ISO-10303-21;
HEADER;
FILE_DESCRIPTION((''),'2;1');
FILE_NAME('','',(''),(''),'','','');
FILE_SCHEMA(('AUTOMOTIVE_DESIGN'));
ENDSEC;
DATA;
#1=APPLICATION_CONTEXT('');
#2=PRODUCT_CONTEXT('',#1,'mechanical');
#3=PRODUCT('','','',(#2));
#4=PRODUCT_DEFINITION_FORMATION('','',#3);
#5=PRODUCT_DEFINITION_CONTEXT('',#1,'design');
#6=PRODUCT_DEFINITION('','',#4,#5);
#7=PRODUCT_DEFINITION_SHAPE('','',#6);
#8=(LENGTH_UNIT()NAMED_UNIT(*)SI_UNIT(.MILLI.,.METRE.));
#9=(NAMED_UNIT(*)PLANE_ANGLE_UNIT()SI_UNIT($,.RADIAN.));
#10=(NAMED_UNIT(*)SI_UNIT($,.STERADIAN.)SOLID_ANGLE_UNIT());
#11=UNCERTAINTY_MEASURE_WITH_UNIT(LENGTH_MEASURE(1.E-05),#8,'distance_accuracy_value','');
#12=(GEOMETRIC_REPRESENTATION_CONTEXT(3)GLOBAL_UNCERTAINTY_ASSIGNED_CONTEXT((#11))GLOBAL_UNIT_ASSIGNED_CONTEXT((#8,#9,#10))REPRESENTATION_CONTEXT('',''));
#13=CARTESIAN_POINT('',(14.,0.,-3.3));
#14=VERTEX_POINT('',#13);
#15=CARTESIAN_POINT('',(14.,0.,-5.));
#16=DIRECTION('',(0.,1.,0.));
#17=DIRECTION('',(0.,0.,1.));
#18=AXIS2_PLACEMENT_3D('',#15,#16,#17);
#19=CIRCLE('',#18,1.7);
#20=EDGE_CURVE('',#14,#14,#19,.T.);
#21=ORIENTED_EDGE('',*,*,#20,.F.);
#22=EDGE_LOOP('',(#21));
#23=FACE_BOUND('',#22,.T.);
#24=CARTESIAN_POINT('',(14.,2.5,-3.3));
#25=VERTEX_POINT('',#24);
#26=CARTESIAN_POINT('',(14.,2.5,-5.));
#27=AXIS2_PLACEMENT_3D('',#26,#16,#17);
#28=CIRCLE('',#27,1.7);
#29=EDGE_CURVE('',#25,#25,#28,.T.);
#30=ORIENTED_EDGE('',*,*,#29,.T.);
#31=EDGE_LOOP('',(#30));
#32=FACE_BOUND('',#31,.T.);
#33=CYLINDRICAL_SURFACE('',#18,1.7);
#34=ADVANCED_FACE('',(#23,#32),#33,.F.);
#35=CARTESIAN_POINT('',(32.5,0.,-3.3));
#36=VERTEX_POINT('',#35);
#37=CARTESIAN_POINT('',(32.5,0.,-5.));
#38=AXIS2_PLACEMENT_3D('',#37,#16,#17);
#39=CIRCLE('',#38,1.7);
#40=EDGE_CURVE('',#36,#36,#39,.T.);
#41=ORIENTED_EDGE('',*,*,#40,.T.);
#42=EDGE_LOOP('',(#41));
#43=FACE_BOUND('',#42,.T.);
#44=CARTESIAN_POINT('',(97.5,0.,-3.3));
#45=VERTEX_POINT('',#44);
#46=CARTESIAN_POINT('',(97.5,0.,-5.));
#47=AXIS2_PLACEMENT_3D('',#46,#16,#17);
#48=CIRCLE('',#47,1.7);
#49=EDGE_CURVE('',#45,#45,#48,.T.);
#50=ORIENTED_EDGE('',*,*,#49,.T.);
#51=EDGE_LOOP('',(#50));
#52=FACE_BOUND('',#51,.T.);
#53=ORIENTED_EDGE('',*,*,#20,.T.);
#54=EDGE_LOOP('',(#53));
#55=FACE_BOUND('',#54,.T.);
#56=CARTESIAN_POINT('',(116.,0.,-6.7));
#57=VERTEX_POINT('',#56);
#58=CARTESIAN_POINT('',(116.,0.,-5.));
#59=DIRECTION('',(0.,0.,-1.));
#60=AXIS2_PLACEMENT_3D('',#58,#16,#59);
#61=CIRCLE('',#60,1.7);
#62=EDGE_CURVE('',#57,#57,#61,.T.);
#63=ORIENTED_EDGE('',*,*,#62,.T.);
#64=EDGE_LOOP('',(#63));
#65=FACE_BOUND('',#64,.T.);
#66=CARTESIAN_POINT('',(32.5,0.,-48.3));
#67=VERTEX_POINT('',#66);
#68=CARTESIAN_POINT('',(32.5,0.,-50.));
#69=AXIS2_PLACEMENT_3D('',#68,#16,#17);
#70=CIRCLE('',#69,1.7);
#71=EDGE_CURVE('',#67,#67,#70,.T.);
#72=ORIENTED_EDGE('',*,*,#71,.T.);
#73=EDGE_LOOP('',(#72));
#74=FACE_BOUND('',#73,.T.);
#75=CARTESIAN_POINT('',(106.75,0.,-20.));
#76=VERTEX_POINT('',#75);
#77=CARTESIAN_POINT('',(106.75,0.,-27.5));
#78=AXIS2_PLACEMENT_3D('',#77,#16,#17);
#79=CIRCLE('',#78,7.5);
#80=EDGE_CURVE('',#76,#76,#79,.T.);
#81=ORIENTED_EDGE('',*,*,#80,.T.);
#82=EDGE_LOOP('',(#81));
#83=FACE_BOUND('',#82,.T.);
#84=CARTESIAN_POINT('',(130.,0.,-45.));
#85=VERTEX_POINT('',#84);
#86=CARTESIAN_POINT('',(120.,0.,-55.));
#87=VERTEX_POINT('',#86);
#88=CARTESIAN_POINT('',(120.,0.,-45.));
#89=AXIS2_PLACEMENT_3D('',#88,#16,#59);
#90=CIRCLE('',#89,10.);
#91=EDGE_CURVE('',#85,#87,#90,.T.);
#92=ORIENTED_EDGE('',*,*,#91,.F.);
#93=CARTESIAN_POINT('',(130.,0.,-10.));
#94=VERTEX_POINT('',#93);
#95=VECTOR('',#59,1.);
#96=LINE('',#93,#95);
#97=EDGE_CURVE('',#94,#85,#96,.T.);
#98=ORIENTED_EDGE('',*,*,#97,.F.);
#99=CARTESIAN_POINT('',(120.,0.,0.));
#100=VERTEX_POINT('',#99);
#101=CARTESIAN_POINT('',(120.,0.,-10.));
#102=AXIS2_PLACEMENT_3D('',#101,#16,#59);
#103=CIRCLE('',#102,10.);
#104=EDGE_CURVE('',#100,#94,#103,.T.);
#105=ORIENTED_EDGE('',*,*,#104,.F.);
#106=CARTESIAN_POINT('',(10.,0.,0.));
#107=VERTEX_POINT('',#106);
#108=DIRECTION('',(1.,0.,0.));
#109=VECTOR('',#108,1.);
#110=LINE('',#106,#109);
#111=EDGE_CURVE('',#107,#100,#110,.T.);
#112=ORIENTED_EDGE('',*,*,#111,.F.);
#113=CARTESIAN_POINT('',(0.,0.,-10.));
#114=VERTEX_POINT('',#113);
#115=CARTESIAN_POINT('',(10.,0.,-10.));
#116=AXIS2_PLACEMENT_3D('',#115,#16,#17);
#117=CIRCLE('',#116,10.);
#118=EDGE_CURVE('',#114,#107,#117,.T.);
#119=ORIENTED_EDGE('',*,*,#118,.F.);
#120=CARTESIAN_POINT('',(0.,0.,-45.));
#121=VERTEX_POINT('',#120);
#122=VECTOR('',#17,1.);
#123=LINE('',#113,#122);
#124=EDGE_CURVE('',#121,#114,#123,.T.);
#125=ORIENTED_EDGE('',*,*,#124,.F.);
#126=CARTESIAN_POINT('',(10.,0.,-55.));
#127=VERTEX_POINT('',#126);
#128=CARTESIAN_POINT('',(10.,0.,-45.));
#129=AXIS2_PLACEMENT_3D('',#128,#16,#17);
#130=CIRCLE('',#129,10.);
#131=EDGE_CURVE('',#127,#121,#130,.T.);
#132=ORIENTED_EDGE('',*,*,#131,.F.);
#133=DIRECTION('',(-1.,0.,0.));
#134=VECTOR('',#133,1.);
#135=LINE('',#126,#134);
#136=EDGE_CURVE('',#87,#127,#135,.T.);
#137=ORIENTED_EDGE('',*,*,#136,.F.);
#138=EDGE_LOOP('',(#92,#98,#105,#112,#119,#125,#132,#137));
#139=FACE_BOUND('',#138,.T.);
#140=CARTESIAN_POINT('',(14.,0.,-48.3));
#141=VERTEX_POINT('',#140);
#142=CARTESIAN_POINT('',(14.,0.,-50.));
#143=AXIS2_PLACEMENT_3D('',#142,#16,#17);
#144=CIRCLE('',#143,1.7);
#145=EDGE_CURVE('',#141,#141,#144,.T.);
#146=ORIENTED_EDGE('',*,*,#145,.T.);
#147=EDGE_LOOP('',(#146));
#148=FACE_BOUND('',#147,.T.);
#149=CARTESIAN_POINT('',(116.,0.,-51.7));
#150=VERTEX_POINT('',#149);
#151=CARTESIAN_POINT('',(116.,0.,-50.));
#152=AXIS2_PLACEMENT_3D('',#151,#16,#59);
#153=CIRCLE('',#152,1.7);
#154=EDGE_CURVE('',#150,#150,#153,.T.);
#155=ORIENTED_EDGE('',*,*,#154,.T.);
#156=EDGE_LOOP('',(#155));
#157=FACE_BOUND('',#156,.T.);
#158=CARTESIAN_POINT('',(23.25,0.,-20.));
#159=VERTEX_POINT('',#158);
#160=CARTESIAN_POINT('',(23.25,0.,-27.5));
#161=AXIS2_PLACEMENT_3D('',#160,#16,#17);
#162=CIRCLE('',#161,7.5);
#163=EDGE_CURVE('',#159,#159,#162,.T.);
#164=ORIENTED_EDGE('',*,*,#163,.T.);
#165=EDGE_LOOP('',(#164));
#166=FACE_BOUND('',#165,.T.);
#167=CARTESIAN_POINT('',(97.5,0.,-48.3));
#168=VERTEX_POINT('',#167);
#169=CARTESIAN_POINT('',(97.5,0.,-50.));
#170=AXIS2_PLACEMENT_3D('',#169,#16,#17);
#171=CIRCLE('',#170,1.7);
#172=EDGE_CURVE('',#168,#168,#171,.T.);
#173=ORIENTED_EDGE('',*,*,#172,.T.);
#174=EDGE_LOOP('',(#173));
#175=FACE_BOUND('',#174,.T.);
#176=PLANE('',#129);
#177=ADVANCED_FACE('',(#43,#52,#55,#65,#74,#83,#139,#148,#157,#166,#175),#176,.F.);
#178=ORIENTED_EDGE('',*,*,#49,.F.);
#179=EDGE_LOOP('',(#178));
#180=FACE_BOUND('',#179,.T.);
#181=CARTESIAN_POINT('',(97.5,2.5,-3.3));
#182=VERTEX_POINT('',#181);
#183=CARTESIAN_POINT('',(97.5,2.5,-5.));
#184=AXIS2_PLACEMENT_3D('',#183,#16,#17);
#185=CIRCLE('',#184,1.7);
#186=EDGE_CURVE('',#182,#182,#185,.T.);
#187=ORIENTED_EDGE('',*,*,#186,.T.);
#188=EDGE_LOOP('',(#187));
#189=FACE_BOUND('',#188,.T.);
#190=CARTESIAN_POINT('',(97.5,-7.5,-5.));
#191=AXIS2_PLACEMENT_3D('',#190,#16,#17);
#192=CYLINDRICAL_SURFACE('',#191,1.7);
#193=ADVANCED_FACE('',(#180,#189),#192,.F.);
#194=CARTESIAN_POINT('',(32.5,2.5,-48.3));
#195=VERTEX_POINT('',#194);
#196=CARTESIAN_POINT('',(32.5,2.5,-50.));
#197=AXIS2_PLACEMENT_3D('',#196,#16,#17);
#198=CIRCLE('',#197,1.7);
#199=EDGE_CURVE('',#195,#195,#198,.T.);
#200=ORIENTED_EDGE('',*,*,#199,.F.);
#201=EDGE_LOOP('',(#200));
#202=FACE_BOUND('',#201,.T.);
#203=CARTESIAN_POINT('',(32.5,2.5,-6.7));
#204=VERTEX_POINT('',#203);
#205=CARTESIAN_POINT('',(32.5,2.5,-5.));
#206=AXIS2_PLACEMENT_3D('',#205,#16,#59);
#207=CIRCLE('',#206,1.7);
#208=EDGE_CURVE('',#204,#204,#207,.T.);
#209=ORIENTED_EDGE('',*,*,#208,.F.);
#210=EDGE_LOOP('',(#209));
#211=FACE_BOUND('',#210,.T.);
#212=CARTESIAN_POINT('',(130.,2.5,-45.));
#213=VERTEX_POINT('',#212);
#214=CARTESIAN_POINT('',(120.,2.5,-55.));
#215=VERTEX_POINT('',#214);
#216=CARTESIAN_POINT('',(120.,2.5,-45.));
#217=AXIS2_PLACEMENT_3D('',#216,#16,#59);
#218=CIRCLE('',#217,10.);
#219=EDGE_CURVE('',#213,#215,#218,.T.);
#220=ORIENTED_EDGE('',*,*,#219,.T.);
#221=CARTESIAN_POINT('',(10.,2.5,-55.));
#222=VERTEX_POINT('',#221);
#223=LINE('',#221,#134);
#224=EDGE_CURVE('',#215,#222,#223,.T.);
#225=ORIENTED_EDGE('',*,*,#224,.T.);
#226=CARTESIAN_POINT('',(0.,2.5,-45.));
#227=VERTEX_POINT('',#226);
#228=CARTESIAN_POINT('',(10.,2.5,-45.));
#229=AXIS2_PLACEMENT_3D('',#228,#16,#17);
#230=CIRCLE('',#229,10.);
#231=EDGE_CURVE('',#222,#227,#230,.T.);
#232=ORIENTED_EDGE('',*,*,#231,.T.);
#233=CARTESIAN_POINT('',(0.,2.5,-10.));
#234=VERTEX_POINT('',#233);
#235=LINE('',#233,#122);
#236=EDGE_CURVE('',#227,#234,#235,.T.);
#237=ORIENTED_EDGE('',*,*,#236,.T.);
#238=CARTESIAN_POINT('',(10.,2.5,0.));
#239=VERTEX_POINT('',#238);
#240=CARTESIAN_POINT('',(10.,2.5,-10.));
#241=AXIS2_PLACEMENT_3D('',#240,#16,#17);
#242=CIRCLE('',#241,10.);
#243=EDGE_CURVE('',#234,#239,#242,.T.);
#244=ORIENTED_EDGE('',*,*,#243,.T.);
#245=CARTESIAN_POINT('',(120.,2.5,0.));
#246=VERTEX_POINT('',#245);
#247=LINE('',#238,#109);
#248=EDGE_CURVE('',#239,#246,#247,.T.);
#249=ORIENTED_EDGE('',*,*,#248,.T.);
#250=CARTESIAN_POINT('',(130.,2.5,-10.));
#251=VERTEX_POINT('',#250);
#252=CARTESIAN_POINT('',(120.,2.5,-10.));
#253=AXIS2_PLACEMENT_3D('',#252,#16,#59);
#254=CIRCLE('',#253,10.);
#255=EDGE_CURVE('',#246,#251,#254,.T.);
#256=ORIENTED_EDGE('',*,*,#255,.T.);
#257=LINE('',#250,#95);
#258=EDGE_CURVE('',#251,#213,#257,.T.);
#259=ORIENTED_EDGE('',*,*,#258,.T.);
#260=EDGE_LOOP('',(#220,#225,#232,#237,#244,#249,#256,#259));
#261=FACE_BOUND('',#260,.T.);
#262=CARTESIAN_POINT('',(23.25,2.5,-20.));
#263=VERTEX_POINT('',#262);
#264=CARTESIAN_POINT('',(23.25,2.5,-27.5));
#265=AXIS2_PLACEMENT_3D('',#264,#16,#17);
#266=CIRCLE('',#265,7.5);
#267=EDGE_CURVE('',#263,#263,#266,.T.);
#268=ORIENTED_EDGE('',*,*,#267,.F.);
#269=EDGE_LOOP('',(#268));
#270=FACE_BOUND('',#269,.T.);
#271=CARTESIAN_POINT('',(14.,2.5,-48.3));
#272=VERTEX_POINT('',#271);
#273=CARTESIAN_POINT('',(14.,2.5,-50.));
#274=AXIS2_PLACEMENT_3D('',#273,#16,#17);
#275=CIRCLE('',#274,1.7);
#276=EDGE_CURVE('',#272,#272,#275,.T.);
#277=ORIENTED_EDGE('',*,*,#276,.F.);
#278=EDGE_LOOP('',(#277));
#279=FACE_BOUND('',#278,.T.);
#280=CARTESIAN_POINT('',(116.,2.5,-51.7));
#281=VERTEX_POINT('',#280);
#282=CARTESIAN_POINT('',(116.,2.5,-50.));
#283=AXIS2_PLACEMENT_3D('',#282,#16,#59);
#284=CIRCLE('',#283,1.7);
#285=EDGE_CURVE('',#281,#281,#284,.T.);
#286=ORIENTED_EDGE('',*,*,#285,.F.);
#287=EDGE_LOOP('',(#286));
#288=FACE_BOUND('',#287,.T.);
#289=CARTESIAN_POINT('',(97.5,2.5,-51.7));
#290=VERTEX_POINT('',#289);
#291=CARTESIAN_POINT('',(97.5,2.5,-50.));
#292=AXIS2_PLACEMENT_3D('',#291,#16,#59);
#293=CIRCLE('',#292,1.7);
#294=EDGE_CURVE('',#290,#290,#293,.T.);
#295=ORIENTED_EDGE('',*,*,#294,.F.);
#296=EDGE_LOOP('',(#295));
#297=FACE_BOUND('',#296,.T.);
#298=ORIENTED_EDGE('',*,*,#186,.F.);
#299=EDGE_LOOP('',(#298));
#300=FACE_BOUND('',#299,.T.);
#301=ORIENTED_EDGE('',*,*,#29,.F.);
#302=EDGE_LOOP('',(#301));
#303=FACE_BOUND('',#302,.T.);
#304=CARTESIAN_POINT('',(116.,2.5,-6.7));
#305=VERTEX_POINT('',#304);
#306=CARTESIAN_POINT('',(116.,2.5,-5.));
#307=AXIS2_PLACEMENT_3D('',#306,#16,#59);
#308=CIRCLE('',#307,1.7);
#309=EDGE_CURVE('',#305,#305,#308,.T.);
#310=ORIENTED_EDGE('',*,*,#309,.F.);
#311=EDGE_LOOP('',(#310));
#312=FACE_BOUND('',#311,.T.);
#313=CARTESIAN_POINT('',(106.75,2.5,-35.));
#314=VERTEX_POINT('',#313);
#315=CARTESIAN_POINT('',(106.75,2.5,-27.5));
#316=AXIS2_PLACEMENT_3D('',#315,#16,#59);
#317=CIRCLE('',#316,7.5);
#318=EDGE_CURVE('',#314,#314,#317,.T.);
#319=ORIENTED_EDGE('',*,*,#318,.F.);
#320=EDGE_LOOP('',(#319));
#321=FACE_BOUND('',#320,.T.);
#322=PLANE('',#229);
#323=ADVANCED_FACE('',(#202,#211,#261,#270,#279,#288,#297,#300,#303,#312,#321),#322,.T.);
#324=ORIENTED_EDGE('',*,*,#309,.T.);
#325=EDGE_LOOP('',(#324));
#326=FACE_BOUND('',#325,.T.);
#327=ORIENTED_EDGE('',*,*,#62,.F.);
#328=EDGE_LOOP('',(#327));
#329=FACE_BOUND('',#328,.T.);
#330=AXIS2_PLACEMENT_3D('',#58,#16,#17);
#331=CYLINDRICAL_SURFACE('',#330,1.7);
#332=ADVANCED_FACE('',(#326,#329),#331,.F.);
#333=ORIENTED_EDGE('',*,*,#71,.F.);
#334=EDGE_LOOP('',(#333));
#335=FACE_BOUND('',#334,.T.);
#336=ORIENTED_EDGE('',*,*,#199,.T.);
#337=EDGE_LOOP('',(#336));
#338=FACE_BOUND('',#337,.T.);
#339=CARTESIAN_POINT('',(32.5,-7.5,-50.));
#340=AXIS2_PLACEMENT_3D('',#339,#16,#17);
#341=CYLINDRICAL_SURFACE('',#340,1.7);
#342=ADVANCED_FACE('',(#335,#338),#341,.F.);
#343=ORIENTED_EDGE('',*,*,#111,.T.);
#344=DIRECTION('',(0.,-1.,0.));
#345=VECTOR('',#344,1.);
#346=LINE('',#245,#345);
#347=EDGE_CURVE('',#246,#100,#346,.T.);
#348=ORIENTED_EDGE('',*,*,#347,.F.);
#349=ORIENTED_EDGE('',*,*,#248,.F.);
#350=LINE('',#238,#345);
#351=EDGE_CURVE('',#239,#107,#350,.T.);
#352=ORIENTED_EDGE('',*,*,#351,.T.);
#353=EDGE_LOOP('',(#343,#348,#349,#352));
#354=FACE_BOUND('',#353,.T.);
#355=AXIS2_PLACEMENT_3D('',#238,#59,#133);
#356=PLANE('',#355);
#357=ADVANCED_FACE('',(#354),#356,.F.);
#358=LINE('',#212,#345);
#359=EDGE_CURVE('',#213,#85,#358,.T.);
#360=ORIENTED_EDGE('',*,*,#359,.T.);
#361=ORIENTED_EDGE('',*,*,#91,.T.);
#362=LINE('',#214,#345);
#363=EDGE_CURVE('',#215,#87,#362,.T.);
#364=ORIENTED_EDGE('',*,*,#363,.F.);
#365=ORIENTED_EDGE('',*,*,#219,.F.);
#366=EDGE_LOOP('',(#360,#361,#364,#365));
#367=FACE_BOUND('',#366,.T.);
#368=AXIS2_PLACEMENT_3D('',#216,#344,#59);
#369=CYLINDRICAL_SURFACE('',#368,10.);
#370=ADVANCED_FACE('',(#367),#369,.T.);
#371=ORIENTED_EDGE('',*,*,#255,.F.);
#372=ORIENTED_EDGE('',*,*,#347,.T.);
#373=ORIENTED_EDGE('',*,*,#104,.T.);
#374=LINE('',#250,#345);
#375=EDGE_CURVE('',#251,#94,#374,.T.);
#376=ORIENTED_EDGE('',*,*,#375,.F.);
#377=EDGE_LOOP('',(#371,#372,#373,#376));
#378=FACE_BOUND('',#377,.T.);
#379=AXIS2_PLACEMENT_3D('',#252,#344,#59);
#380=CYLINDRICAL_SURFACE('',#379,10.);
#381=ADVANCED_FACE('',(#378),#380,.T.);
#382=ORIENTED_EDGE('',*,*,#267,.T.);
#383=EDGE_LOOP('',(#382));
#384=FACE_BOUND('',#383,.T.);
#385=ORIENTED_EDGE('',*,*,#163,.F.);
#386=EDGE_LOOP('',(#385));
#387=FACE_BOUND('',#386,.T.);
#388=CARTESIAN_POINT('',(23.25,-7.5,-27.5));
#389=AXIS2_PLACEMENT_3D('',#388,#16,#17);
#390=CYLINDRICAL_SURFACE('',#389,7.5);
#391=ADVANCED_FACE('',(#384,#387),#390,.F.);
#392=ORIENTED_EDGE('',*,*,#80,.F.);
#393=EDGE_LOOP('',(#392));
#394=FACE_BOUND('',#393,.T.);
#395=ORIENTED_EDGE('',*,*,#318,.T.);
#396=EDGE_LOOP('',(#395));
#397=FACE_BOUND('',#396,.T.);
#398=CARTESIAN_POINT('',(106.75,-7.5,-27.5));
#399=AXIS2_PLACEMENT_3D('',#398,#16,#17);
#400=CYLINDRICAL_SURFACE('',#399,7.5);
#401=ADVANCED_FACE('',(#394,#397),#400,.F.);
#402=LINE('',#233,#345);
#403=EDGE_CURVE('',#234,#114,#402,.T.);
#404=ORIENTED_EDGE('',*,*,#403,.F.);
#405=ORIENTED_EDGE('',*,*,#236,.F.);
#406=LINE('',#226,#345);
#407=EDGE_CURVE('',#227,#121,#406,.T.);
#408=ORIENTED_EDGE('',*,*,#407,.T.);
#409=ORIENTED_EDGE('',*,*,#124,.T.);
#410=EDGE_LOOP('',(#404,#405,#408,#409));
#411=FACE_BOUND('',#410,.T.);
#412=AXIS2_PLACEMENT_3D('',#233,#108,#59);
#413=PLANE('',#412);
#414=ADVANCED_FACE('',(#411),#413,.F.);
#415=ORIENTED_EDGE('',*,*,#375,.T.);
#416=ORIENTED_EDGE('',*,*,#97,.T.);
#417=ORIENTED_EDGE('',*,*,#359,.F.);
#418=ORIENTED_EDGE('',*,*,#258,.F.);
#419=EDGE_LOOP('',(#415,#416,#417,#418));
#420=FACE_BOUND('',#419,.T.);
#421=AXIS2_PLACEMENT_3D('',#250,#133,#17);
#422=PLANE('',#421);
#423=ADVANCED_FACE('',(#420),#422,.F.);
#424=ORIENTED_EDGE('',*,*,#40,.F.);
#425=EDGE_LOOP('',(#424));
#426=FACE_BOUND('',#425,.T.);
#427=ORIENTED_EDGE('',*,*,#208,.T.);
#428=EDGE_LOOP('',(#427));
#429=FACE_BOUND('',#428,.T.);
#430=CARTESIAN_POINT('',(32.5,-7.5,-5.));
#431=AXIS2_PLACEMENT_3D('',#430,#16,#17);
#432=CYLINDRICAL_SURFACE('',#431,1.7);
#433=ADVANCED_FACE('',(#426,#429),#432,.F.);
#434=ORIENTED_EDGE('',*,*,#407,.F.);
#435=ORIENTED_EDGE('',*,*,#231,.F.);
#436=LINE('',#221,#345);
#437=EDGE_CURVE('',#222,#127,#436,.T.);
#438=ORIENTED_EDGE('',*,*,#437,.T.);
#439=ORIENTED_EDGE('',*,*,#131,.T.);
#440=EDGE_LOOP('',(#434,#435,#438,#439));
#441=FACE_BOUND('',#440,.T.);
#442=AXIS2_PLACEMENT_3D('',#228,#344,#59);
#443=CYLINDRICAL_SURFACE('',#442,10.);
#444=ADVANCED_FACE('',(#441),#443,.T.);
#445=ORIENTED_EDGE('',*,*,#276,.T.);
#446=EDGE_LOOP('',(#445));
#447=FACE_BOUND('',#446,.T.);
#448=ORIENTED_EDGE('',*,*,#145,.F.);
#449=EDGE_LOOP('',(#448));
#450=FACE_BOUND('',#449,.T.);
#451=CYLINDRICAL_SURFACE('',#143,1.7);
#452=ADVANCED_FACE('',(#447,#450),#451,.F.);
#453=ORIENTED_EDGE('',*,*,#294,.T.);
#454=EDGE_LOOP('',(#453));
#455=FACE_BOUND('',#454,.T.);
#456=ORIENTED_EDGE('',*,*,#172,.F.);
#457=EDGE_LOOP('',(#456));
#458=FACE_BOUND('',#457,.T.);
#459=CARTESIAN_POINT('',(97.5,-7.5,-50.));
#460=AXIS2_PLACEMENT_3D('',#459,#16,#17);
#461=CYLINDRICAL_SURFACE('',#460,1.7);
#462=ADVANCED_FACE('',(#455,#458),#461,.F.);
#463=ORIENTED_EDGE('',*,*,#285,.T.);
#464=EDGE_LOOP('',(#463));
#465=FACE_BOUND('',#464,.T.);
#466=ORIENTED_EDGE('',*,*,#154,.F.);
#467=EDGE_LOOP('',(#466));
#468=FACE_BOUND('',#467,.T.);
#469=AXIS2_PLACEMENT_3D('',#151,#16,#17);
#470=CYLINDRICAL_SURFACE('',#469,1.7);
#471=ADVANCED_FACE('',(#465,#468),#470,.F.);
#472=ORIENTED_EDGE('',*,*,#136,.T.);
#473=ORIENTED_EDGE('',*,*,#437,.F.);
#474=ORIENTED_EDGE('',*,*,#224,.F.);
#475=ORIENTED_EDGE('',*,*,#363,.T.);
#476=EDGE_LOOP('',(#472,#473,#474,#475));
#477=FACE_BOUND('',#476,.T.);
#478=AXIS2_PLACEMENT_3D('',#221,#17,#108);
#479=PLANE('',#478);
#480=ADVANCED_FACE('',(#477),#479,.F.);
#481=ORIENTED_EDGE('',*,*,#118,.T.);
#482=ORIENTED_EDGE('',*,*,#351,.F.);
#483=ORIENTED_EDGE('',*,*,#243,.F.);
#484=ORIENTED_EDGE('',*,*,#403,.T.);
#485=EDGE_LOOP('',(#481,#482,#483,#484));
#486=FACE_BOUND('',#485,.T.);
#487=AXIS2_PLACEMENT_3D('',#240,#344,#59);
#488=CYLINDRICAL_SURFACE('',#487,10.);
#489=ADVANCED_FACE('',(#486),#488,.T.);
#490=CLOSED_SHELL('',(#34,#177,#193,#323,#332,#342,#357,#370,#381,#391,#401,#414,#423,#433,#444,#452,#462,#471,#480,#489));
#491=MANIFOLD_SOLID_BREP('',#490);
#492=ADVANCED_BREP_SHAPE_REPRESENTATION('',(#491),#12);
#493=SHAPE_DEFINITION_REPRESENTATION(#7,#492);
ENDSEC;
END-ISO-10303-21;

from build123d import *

# Parameters (mm, degrees)
BOSS_EXTRUDE1_DEPTH = 2.5
SKETCH2_R           = 1.7
CUT_EXTRUDE1_DEPTH  = 142.178079035
SKETCH3_R           = 1.7
CUT_EXTRUDE2_DEPTH  = 10
SKETCH4_R           = 7.5
CUT_EXTRUDE3_DEPTH  = 10


with BuildPart() as part:
    # Sketch1 → Boss-Extrude1 (new body)
    with BuildSketch(Plane(origin=(0, 0, 0), x_dir=(1, 0, 0), z_dir=(0, 1, 0))):
        with BuildLine():
            Line((10, 0), (120, 0))
            ThreePointArc((120, 0), (127.071067812, 2.928932188), (130, 10))
            Line((130, 10), (130, 45))
            ThreePointArc((130, 45), (127.071067812, 52.071067812), (120, 55))
            Line((120, 55), (10, 55))
            ThreePointArc((10, 55), (2.928932188, 52.071067812), (0, 45))
            Line((0, 45), (0, 10))
            ThreePointArc((0, 10), (2.928932188, 2.928932188), (10, 0))
        make_face()
    extrude(amount=BOSS_EXTRUDE1_DEPTH)

    # Sketch2 → Cut-Extrude1 (cut, through all)
    with BuildSketch(Plane(origin=(0, 2.5, 0), x_dir=(1, 0, 0), z_dir=(0, 1, 0))):
        with Locations(Location((14, 5, 0), (0, 0, 270))):
            Circle(SKETCH2_R)
        with Locations(Location((14, 50, 0), (0, 0, 270))):
            Circle(SKETCH2_R)
        with Locations(Location((116, 5, 0), (0, 0, 90))):
            Circle(SKETCH2_R)
        with Locations(Location((116, 50, 0), (0, 0, 90))):
            Circle(SKETCH2_R)
    extrude(amount=-CUT_EXTRUDE1_DEPTH, mode=Mode.SUBTRACT)

    # Sketch3 → Cut-Extrude2 (cut)
    with BuildSketch(Plane(origin=(0, 2.5, 0), x_dir=(1, 0, 0), z_dir=(0, 1, 0))):
        with Locations(Location((32.5, 50, 0), (0, 0, 270))):
            Circle(SKETCH3_R)
        with Locations(Location((32.5, 5, 0), (0, 0, 270))):
            Circle(SKETCH3_R)
        with Locations(Location((97.5, 5, 0), (0, 0, 270))):
            Circle(SKETCH3_R)
        with Locations(Location((97.5, 50, 0), (0, 0, 270))):
            Circle(SKETCH3_R)
    extrude(amount=-CUT_EXTRUDE2_DEPTH, mode=Mode.SUBTRACT)

    # Sketch4 → Cut-Extrude3 (cut)
    with BuildSketch(Plane(origin=(0, 2.5, 0), x_dir=(1, 0, 0), z_dir=(0, 1, 0))):
        with Locations(Location((23.25, 27.5, 0), (0, 0, 270))):
            Circle(SKETCH4_R)
        with Locations(Location((106.75, 27.5, 0), (0, 0, 270))):
            Circle(SKETCH4_R)
    extrude(amount=-CUT_EXTRUDE3_DEPTH, mode=Mode.SUBTRACT)


solid = part.part
